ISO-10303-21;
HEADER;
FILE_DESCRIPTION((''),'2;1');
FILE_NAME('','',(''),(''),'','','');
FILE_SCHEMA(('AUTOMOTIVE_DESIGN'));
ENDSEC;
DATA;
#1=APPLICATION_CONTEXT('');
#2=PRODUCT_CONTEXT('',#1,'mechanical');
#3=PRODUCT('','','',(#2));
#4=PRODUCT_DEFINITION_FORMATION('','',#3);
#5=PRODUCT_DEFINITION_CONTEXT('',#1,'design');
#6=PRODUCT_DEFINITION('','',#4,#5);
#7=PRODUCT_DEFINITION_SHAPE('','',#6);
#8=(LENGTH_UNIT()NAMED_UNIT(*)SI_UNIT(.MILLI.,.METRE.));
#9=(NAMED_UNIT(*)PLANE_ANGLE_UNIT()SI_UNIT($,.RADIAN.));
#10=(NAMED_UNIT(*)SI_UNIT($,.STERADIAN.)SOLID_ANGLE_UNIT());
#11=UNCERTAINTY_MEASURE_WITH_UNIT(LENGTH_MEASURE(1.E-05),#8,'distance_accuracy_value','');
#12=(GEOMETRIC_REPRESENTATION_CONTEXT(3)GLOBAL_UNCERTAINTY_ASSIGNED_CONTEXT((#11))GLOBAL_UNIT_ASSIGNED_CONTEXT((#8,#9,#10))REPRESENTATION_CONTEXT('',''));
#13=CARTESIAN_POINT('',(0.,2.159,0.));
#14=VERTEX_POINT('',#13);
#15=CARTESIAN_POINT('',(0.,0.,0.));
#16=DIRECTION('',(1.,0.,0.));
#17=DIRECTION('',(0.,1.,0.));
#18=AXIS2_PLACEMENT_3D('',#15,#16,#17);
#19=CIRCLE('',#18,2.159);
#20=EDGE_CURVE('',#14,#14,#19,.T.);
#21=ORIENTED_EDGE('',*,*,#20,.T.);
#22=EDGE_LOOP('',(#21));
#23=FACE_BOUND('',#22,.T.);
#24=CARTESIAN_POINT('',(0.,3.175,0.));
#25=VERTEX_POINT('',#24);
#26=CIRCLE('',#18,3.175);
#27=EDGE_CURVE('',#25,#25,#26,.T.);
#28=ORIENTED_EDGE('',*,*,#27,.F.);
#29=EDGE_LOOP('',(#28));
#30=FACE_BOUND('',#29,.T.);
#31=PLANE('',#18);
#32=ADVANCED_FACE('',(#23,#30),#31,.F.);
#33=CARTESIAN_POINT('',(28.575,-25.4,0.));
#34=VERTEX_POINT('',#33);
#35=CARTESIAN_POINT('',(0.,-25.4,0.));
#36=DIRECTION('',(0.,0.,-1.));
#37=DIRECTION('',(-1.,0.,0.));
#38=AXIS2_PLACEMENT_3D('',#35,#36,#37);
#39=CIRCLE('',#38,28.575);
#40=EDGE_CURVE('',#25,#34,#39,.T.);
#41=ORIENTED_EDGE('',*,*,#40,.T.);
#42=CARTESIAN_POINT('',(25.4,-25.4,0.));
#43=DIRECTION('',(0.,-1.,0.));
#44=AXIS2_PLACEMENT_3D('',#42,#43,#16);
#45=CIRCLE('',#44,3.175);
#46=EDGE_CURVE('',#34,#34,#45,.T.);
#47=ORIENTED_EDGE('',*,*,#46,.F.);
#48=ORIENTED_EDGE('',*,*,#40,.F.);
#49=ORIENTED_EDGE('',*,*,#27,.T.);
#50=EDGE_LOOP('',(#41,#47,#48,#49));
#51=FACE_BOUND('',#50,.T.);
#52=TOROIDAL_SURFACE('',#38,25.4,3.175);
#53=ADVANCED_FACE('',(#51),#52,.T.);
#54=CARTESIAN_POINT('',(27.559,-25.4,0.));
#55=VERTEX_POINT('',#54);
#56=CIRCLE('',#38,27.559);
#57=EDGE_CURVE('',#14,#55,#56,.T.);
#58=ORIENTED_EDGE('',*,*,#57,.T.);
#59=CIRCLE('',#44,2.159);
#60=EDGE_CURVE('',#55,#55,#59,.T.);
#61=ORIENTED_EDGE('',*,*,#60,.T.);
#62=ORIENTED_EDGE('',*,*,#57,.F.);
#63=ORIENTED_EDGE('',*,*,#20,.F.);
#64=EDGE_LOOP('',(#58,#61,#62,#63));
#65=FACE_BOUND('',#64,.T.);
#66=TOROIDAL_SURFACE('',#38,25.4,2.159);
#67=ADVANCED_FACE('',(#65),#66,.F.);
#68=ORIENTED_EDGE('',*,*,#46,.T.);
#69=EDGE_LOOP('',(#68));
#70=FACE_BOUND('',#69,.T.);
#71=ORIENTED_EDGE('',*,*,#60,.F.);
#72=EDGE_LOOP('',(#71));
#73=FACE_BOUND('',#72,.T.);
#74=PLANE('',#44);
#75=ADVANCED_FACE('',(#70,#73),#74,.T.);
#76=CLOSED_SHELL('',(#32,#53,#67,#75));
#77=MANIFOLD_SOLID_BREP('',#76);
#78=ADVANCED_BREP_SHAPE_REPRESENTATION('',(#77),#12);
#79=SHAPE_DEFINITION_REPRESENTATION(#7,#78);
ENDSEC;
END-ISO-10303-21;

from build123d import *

# Parameters (mm, degrees)
SKETCH2_R   = 3.175
SKETCH2_R_2 = 2.159


with BuildPart() as part:
    # Sweep1: sweep along a path in Sketch1
    with BuildLine(Plane.XY) as sweep1_path:
        ThreePointArc((0, 0), (17.960512242, -7.439487758), (25.4, -25.4))
    # Sketch2 → Sweep1 (sweep)
    with BuildSketch(Plane(origin=(25.4, -25.4, 0), x_dir=(-1, 0, 0), z_dir=(0, -1, 0))):
        Circle(SKETCH2_R)
        Circle(SKETCH2_R_2, mode=Mode.SUBTRACT)
    sweep(path=sweep1_path.line)


solid = part.part
